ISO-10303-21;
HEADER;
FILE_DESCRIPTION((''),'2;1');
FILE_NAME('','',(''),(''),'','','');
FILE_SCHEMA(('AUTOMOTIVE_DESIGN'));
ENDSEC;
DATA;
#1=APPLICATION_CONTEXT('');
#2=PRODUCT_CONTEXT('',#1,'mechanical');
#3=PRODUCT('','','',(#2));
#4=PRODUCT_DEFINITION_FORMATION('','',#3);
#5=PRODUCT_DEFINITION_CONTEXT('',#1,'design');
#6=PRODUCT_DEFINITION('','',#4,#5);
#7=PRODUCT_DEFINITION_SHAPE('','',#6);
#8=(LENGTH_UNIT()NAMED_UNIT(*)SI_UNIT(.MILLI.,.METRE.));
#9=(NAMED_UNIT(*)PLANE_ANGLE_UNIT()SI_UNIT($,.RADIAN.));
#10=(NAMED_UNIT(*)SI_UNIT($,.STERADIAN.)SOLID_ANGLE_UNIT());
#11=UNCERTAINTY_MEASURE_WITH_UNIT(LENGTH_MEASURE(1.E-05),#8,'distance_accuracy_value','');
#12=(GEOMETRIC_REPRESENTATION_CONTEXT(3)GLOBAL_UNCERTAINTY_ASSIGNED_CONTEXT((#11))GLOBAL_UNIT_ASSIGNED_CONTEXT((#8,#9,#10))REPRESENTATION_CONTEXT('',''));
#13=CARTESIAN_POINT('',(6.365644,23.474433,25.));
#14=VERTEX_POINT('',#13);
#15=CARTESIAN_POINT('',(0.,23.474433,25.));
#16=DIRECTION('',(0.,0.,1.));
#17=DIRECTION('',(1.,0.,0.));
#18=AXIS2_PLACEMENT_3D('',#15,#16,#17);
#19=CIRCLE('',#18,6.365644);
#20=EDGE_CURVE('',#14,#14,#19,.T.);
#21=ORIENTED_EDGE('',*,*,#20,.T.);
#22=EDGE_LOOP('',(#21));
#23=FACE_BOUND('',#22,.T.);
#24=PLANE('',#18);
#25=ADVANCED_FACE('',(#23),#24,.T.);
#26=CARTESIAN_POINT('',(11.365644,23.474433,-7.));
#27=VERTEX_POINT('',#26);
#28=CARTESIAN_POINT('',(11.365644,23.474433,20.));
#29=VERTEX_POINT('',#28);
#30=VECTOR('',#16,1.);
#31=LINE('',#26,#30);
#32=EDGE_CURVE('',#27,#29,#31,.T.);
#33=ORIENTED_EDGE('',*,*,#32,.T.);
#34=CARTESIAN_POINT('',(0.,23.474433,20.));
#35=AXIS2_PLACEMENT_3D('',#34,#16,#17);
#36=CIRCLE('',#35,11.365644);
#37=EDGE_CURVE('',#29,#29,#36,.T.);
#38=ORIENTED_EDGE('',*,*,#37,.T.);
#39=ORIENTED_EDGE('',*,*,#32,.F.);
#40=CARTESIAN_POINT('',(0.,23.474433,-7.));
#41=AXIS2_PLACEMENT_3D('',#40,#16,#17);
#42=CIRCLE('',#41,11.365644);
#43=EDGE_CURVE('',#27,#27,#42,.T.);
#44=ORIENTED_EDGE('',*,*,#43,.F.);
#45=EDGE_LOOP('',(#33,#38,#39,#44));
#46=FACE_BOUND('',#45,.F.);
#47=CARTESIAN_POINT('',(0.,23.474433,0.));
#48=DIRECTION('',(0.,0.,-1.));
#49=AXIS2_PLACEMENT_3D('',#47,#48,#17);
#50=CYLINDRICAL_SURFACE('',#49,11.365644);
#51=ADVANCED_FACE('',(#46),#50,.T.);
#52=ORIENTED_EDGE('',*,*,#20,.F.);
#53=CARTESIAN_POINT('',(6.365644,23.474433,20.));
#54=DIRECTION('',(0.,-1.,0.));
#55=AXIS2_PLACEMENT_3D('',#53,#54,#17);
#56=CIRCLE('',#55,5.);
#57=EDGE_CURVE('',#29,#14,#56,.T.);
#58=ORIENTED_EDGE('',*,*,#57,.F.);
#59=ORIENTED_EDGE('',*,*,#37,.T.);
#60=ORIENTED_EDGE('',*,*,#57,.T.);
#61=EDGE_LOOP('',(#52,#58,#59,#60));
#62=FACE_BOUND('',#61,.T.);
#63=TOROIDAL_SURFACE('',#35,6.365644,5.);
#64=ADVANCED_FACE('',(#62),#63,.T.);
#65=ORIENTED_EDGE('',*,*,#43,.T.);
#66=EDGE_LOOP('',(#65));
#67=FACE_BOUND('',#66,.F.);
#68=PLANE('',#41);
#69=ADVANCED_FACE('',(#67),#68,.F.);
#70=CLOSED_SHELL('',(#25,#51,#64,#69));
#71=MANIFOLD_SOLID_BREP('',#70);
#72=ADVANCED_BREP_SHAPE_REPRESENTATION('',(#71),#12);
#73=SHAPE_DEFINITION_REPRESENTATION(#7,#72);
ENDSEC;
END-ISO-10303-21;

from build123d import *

# Parameters (mm, degrees)
F0_R     = 11.3656440934
F1_DEPTH = 25
F2_DEPTH = 32
F3_R     = 5


with BuildPart() as f1:
    # F0 (on Top) → F1 (new body)
    with BuildSketch(Plane.XY):
        with Locations((0, 23.474432528)):
            Circle(F0_R)
    extrude(amount=F1_DEPTH)

    # F2 (add): a face of the model
    f2_faces = [f1.faces().sort_by_distance(p)[0] for p in [
        (0, 23.474432528, 25),
    ]]
    extrude(f2_faces, amount=-F2_DEPTH)

    # F3
    f3_edges = [f1.edges().sort_by_distance(p)[0] for p in [
        (-11.365644, 23.474433, 25),
    ]]
    fillet(f3_edges, radius=F3_R)


solid = f1.part
